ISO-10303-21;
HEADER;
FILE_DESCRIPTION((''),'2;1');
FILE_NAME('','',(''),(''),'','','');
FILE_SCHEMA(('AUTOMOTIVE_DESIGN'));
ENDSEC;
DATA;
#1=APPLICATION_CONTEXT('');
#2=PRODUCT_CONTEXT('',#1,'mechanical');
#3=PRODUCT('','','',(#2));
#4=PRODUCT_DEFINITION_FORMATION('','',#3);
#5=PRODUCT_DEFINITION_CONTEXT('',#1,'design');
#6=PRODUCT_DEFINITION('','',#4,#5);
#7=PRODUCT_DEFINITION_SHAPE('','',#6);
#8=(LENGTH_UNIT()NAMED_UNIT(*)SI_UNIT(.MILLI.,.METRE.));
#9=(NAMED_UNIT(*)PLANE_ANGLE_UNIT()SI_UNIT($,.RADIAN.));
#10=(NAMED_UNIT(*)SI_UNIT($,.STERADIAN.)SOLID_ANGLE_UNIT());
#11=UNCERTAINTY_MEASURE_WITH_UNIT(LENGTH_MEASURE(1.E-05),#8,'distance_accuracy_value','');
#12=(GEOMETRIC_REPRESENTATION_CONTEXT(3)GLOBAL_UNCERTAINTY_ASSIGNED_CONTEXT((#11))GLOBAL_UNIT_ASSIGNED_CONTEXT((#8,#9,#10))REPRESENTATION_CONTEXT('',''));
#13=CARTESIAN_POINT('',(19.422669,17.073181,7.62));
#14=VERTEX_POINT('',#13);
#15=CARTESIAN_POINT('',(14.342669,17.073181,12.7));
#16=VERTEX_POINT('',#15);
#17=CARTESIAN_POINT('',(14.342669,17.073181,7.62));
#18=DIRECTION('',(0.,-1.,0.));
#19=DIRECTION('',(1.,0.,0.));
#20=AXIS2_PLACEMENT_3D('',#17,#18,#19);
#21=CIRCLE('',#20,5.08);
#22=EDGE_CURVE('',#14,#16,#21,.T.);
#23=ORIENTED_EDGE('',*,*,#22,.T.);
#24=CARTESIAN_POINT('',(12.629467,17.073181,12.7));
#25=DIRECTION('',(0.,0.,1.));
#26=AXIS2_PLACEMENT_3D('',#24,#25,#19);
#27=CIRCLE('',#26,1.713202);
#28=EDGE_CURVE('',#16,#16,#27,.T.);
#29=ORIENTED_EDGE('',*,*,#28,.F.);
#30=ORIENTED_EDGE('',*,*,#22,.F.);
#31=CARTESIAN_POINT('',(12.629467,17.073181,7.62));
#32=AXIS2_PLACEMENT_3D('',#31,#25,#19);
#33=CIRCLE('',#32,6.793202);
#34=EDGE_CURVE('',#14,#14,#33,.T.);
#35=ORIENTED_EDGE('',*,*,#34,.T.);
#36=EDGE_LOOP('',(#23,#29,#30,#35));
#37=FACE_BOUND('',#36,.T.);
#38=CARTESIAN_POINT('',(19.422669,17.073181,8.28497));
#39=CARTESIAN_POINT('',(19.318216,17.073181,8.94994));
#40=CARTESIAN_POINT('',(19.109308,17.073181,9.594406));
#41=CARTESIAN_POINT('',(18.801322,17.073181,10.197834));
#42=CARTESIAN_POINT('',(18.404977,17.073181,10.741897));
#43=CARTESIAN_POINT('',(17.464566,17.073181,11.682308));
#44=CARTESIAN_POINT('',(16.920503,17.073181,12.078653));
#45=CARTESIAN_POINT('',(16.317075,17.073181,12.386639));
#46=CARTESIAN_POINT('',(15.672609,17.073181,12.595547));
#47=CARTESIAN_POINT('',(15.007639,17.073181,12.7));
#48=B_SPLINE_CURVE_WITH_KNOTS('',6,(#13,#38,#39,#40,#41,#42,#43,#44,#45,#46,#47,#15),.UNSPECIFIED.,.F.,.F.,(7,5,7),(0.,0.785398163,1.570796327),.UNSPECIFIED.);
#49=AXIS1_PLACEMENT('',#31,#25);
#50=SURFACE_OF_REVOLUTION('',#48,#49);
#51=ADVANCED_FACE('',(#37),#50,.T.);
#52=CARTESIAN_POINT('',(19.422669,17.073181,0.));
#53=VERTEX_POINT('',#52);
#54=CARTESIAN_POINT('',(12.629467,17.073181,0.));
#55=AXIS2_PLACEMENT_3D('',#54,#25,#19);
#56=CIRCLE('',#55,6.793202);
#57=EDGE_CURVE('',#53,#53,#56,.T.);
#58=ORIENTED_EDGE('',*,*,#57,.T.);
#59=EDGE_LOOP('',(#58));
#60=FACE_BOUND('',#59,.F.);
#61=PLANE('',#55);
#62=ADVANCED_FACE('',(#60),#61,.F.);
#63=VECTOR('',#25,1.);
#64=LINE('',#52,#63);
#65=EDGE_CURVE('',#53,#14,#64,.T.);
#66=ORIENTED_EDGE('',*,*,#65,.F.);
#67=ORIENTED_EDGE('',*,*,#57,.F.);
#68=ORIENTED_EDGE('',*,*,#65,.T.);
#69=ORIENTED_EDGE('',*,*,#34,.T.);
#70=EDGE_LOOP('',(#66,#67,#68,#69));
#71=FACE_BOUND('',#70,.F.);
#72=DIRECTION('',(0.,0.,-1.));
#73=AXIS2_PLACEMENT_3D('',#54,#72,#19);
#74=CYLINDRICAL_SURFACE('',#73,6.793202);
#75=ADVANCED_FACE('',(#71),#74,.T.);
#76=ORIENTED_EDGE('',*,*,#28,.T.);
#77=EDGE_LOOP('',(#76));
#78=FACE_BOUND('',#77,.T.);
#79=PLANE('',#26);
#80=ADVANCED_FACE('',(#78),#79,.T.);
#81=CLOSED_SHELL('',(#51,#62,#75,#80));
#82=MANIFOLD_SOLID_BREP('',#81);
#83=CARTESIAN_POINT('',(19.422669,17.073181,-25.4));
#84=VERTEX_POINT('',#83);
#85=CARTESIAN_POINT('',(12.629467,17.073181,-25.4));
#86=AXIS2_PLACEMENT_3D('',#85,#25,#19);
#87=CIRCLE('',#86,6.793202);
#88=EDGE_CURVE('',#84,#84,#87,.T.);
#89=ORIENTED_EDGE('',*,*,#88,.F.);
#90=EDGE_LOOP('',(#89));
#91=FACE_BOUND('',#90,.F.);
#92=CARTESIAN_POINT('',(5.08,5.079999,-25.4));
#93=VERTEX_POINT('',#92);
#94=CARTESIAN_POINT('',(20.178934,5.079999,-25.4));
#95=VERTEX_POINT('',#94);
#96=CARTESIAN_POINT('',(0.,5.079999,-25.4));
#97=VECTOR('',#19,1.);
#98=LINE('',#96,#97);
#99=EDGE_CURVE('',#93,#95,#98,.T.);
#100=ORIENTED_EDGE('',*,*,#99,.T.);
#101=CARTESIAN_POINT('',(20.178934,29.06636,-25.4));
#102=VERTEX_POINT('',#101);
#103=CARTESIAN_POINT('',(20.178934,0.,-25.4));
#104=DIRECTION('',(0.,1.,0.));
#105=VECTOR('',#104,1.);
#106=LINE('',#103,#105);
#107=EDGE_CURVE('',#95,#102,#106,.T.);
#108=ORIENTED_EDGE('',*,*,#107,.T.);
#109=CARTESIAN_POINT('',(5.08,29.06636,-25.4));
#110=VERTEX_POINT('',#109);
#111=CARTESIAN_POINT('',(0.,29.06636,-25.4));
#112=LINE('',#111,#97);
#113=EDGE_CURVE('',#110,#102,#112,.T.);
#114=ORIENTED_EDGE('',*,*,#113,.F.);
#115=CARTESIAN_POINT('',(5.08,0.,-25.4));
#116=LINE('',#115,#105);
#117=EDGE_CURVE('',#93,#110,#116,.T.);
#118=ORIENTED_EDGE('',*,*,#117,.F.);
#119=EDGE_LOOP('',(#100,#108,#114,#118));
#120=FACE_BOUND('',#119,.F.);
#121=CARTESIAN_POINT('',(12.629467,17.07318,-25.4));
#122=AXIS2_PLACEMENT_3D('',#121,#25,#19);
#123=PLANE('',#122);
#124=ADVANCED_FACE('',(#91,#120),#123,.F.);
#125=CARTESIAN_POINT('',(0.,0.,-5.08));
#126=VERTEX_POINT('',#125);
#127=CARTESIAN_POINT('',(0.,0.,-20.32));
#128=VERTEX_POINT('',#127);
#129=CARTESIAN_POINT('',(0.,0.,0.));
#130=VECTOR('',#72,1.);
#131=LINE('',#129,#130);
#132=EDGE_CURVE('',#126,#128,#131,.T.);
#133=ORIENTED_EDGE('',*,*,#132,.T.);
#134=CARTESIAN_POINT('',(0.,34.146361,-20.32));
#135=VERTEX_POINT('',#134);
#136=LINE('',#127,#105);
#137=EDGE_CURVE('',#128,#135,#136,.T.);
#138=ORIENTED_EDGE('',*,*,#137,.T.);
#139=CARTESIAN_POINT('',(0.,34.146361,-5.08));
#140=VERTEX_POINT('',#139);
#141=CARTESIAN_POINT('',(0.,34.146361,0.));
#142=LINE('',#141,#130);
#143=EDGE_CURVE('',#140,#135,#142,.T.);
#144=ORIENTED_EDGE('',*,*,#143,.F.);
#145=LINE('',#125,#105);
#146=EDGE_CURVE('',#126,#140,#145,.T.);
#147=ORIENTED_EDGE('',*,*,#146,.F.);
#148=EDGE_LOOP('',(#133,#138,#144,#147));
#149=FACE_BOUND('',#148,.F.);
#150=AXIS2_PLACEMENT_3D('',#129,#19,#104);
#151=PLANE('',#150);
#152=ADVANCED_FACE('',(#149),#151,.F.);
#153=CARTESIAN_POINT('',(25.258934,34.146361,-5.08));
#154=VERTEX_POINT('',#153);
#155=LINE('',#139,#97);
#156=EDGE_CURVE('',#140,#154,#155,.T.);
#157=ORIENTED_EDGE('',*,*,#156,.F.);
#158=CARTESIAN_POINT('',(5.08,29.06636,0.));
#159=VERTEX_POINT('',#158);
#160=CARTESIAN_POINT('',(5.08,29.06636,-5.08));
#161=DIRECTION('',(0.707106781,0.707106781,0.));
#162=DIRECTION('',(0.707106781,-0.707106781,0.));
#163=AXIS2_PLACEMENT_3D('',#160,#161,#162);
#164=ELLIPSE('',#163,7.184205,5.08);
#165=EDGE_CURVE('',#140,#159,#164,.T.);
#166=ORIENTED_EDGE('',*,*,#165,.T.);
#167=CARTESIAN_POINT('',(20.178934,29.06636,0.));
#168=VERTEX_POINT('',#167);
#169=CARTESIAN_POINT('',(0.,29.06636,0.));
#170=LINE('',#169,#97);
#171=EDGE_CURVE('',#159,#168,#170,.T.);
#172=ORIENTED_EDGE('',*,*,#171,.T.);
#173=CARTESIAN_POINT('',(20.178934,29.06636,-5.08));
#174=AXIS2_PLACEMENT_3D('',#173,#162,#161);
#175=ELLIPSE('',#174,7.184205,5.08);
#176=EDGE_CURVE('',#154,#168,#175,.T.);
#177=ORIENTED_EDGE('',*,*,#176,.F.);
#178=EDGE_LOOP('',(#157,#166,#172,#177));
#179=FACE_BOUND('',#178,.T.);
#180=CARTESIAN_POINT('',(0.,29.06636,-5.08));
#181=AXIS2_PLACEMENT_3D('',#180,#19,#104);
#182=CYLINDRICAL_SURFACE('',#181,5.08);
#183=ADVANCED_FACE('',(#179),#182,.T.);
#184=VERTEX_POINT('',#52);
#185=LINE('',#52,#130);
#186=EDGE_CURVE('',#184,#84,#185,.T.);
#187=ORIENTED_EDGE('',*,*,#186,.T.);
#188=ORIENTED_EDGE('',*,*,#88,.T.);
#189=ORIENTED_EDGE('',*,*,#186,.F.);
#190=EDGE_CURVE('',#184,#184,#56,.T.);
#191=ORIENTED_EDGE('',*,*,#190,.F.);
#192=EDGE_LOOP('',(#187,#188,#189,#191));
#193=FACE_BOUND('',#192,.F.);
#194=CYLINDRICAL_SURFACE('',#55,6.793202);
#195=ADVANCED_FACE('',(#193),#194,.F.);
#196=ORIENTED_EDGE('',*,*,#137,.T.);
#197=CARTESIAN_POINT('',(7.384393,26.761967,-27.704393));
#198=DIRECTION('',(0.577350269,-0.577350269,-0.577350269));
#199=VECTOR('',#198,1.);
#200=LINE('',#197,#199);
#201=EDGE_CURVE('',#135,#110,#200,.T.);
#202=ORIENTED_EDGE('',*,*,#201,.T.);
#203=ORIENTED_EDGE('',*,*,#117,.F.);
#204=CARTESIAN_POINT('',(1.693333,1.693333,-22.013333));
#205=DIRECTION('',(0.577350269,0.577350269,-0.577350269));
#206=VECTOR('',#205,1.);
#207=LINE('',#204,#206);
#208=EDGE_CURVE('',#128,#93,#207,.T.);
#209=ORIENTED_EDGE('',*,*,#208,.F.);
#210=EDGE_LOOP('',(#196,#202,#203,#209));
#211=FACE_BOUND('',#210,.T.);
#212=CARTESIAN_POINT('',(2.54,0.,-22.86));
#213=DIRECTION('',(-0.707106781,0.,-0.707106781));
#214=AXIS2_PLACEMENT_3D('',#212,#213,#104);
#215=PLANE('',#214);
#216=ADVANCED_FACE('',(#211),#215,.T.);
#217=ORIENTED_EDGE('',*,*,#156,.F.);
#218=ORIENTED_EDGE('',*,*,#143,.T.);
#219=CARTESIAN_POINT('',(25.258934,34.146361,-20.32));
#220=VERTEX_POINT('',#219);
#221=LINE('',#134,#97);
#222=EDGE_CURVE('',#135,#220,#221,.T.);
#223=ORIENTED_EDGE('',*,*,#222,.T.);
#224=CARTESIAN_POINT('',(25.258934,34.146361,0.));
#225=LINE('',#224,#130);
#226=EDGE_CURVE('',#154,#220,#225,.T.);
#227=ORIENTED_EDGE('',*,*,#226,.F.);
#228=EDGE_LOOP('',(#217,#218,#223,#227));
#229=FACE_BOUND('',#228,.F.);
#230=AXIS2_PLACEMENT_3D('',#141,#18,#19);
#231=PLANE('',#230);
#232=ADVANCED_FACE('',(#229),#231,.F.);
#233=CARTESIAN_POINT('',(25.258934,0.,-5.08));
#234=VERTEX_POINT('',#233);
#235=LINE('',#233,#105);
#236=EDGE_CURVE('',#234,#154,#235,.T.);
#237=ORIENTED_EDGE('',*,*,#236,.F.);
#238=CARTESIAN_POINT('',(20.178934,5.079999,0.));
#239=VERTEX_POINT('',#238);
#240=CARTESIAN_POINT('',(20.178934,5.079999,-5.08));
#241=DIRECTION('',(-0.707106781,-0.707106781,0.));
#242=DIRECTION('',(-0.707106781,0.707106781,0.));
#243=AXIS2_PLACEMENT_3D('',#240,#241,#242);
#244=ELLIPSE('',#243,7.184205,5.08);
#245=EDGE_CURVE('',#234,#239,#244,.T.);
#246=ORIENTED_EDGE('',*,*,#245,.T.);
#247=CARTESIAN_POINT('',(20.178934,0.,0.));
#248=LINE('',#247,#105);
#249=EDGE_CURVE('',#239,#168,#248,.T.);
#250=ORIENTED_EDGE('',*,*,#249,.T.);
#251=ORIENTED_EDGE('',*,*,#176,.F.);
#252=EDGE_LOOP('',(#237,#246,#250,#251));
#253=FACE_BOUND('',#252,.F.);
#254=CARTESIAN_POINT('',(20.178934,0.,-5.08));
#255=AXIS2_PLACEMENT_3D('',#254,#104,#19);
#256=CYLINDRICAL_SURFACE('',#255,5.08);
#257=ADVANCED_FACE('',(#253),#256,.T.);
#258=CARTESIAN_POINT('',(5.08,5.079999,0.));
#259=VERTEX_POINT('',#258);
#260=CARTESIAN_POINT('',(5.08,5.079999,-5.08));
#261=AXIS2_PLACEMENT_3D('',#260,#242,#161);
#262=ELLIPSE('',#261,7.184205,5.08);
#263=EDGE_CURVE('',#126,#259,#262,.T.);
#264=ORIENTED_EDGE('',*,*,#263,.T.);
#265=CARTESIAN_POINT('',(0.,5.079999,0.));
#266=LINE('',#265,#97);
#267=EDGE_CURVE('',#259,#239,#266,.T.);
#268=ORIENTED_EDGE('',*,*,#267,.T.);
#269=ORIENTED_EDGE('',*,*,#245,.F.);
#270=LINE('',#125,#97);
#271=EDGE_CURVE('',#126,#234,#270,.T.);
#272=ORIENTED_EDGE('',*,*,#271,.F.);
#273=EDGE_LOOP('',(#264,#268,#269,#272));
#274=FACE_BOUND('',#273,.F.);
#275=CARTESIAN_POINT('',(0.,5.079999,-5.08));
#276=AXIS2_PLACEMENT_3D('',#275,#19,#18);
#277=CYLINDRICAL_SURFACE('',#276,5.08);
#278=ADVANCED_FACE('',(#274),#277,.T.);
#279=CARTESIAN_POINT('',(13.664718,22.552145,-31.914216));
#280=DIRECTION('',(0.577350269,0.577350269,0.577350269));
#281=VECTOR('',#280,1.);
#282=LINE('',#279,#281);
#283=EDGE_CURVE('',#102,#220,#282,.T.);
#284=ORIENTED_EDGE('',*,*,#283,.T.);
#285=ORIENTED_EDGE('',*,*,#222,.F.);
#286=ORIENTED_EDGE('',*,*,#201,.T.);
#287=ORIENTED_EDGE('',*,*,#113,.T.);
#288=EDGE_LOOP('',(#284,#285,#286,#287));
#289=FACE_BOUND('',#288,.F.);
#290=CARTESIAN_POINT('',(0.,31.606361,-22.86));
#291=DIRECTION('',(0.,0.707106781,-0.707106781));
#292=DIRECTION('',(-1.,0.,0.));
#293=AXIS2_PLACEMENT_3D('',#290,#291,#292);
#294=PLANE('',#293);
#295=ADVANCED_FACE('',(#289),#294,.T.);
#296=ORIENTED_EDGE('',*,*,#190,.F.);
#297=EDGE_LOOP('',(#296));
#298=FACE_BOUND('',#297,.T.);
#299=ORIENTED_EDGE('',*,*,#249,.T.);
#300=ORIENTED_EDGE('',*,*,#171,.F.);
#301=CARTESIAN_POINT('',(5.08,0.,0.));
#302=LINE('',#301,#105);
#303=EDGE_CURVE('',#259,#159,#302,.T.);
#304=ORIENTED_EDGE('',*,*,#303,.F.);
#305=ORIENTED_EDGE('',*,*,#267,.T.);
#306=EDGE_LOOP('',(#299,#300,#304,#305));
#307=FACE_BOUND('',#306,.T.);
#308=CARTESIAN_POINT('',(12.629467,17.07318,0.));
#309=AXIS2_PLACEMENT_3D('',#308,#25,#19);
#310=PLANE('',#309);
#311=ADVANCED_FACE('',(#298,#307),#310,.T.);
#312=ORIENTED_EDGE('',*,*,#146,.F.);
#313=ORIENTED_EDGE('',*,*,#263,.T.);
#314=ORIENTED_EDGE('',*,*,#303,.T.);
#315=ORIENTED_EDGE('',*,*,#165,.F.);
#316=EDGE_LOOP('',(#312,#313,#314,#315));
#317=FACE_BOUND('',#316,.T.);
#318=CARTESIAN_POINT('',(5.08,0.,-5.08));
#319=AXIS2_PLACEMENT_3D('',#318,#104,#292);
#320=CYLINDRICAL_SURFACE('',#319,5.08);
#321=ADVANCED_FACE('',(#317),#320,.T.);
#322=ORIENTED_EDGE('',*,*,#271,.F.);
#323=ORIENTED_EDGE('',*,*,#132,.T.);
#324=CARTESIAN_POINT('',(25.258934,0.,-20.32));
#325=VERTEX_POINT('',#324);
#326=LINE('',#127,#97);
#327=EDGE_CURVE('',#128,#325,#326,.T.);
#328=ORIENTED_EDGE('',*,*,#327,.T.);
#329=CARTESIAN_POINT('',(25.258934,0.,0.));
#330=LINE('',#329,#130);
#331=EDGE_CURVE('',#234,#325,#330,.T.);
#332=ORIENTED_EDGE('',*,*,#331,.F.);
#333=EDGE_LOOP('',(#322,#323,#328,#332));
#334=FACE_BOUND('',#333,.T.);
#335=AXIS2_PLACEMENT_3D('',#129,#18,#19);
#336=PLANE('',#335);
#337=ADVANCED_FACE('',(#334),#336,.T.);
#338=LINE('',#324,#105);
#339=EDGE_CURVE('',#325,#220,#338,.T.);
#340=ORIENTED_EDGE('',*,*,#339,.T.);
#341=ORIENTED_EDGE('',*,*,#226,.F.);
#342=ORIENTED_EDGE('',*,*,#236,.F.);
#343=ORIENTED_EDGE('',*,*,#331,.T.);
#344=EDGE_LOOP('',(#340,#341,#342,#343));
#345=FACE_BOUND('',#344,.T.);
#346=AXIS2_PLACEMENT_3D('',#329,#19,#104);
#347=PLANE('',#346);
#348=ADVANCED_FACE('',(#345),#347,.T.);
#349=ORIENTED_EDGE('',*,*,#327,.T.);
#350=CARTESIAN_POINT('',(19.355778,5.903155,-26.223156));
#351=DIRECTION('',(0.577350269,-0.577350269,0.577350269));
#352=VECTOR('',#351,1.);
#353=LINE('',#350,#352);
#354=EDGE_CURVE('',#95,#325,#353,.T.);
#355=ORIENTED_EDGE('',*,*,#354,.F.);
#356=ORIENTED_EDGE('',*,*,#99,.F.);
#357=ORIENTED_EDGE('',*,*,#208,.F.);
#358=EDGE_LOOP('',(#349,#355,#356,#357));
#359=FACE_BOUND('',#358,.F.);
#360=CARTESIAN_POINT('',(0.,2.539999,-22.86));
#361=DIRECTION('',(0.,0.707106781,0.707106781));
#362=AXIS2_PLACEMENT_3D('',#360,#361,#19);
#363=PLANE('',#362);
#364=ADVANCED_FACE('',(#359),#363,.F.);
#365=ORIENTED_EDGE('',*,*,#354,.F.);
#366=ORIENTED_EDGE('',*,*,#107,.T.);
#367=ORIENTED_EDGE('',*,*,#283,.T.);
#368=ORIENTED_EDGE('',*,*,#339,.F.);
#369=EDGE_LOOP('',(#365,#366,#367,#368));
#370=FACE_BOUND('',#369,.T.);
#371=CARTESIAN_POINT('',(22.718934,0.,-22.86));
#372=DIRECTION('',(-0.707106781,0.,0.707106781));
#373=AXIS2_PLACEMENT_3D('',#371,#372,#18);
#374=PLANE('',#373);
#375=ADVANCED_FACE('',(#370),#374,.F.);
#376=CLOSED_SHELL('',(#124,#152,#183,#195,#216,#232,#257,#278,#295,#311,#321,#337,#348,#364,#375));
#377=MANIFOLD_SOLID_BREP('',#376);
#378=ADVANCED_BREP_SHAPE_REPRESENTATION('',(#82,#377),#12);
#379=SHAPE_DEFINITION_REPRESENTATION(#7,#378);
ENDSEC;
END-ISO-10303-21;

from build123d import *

# Parameters (mm, degrees)
F0_R     = 6.793202
F1_DEPTH = 12.7
F0_W     = 25.258934
F0_H     = 34.146361
F2_DEPTH = 25.4
F3_R     = 5.08
F3_2_R   = 5.08
F4_SIZE  = 5.08


with BuildPart() as f1:
    # F0 (on Top) → F1 (new body)
    with BuildSketch(Plane.XY):
        with Locations((12.629467, 17.073181)):
            Circle(F0_R)
    extrude(amount=F1_DEPTH)

    # F3
    f3_edges = [f1.edges().sort_by_distance(p)[0] for p in [
        (5.836266, 17.073181, 12.7),
    ]]
    fillet(f3_edges, radius=F3_R)


with BuildPart() as f2:
    # F0 (on Top) → F2 (new body)
    with BuildSketch(Plane.XY):
        with Locations((12.629467, 17.07318)):
            Rectangle(F0_W, F0_H)
        with Locations((12.629467, 17.073181)):
            Circle(F0_R, mode=Mode.SUBTRACT)
    extrude(amount=-F2_DEPTH)

    # F3#2
    f3_2_edges = [f2.edges().sort_by_distance(p)[0] for p in [
        (25.258934, 17.073181, 0),
        (12.629467, 34.146361, 0),
        (0, 17.073181, 0),
        (12.629467, 0, 0),
    ]]
    fillet(f3_2_edges, radius=F3_2_R)

    # F4
    f4_edges = [f2.edges().sort_by_distance(p)[0] for p in [
        (0, 17.073181, -25.4),
        (12.629467, 34.146361, -25.4),
        (25.258934, 17.073181, -25.4),
        (12.629467, 0, -25.4),
    ]]
    chamfer(f4_edges, length=F4_SIZE)


solid = Compound([f1.part, f2.part])
